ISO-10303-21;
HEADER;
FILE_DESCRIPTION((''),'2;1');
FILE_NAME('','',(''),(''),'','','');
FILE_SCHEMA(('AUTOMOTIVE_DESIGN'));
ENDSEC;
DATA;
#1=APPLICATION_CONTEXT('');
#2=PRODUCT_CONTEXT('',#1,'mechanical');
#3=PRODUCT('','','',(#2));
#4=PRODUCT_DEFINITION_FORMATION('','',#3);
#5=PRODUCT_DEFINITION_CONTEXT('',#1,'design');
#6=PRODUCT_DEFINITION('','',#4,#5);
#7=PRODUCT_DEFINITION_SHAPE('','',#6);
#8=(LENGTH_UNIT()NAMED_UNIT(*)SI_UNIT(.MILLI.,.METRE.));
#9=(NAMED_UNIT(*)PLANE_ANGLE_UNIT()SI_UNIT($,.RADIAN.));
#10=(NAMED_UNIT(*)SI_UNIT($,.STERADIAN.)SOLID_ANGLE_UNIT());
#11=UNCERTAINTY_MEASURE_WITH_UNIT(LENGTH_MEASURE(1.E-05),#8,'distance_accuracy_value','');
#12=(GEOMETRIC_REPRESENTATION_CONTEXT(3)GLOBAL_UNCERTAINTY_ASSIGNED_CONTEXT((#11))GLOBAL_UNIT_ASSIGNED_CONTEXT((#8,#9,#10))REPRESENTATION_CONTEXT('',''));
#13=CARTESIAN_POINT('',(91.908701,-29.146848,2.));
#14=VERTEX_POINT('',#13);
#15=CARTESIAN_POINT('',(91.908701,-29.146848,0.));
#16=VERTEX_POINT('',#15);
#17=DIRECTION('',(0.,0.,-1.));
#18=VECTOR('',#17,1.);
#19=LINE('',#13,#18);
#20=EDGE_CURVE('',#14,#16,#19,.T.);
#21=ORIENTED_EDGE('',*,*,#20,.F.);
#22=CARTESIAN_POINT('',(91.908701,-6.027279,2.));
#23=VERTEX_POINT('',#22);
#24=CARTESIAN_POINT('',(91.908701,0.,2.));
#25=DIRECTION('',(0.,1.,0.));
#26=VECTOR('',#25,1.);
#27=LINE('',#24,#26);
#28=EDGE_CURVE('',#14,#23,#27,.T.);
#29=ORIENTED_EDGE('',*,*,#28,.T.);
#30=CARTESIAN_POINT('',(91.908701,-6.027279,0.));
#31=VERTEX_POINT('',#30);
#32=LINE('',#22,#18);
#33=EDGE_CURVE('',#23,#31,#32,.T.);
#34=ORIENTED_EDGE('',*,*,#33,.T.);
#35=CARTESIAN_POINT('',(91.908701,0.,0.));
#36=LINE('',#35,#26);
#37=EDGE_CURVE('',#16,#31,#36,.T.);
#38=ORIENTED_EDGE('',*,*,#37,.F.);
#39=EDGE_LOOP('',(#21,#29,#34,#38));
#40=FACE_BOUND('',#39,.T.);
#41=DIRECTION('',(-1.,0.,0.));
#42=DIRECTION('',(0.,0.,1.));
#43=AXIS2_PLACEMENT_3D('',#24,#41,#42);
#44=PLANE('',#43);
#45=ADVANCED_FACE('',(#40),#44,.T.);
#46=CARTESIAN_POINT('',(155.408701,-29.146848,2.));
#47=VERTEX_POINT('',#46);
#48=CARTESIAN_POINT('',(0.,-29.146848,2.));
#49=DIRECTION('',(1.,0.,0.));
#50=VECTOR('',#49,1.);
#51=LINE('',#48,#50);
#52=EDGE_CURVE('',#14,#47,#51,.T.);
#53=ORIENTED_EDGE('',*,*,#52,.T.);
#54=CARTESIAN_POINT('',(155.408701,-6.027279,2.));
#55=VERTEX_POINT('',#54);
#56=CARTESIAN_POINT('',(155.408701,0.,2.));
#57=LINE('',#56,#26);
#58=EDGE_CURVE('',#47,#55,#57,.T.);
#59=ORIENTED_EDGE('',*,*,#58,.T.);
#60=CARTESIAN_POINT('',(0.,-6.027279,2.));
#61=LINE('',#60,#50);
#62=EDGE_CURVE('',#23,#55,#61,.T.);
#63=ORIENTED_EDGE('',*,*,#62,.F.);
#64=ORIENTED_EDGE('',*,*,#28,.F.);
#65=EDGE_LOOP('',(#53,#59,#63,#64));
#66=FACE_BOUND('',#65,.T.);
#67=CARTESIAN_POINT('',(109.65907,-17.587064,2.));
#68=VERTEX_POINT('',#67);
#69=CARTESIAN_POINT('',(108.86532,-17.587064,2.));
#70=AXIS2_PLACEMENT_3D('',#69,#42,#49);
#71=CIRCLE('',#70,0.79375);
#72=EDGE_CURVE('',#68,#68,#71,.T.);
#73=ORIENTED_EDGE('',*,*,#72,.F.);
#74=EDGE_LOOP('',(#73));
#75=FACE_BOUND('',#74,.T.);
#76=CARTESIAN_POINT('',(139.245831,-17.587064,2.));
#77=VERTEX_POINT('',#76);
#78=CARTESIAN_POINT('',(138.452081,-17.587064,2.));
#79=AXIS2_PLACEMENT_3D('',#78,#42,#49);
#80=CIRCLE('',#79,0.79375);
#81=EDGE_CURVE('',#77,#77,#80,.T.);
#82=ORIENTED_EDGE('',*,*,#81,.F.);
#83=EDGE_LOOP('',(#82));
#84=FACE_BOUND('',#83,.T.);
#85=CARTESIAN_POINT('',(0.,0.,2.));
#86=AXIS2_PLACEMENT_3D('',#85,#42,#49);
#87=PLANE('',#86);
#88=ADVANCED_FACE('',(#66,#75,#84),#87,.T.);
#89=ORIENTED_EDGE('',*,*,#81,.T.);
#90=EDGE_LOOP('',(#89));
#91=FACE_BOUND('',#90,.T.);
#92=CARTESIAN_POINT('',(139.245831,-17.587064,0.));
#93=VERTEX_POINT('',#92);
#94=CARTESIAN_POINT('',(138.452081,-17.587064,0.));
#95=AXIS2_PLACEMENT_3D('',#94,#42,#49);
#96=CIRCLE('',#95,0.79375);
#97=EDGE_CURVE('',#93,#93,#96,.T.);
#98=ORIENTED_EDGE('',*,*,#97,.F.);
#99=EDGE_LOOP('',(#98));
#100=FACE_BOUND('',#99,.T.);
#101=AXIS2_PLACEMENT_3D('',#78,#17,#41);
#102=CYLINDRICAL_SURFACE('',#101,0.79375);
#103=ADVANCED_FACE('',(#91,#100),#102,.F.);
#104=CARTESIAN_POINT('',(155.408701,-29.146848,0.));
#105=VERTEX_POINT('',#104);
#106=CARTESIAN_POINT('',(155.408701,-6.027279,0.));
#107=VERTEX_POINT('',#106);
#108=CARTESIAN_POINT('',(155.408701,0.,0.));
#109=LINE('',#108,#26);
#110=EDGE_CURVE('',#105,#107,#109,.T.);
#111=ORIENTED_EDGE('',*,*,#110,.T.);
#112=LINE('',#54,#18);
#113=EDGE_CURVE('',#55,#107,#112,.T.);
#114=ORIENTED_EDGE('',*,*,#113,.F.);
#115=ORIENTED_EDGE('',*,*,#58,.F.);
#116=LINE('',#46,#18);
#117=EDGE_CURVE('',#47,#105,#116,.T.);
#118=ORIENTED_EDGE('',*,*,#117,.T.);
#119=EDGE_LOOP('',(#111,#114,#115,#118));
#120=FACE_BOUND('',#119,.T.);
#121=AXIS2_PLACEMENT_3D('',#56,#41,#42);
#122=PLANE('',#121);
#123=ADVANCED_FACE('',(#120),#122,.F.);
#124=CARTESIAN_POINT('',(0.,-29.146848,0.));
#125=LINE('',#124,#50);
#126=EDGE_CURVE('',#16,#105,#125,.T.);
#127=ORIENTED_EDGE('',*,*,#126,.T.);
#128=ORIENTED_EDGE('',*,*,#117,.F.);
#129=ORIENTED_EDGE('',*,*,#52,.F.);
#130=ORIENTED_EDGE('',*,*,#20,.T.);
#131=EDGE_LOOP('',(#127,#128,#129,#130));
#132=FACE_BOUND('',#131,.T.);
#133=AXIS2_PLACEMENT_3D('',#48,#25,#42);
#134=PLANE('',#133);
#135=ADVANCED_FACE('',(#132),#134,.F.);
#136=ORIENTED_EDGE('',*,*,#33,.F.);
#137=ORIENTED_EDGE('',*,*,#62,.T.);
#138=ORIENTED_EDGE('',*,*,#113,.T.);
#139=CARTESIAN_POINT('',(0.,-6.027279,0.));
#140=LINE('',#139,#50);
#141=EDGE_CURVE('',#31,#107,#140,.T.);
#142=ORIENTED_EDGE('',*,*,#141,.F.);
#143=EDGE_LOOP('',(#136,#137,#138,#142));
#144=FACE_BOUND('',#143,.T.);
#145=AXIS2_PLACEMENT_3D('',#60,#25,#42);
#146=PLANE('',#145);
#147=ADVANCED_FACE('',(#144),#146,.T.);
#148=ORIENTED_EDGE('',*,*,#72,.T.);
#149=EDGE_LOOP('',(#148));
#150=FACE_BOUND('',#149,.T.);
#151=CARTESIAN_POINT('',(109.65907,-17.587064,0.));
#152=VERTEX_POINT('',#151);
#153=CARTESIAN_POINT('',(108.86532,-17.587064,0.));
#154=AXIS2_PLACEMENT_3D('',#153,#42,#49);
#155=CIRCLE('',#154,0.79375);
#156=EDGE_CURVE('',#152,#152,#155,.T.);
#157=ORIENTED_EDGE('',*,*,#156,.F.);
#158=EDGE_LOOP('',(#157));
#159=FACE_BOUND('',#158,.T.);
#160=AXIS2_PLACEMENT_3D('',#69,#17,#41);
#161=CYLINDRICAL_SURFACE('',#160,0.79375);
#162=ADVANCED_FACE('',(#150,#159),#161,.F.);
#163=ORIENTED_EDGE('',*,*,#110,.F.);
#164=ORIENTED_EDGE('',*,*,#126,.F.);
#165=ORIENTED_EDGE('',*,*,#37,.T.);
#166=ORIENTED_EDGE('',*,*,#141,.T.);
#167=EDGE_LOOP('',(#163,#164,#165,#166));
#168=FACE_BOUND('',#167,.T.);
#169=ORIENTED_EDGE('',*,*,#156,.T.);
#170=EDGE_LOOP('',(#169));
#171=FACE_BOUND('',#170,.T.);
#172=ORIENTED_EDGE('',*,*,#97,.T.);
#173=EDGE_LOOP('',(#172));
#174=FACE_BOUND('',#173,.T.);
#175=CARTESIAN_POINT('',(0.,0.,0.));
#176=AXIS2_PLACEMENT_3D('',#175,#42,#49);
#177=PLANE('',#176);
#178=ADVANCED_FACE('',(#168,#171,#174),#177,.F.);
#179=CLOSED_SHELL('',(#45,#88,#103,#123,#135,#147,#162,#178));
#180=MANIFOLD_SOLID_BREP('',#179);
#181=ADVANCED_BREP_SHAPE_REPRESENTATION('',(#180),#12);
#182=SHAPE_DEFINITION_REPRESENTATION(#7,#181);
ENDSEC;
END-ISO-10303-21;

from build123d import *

# Parameters (mm, degrees)
MODEL_W             = 63.5
MODEL_H             = 12.7
MODEL_R             = 0.79375
MODEL_H_2           = 5.209784437
MODEL_H_3           = 5.209784436
BOSS_EXTRUDE1_DEPTH = 2


with BuildPart() as part:
    # Model → Boss-Extrude1 (new body)
    with BuildSketch(Plane.XY):
        with Locations((123.6587005, -17.587063894)):
            Rectangle(MODEL_W, MODEL_H)
        with Locations((108.865320346, -17.587063894)):
            Circle(MODEL_R, mode=Mode.SUBTRACT)
        with Locations((138.452080654, -17.587063894)):
            Circle(MODEL_R, mode=Mode.SUBTRACT)
        with Locations((123.6587005, -8.632171676)):
            Rectangle(MODEL_W, MODEL_H_2)
        with Locations((123.6587005, -26.541956112)):
            Rectangle(MODEL_W, MODEL_H_3)
    extrude(amount=BOSS_EXTRUDE1_DEPTH)


solid = part.part
